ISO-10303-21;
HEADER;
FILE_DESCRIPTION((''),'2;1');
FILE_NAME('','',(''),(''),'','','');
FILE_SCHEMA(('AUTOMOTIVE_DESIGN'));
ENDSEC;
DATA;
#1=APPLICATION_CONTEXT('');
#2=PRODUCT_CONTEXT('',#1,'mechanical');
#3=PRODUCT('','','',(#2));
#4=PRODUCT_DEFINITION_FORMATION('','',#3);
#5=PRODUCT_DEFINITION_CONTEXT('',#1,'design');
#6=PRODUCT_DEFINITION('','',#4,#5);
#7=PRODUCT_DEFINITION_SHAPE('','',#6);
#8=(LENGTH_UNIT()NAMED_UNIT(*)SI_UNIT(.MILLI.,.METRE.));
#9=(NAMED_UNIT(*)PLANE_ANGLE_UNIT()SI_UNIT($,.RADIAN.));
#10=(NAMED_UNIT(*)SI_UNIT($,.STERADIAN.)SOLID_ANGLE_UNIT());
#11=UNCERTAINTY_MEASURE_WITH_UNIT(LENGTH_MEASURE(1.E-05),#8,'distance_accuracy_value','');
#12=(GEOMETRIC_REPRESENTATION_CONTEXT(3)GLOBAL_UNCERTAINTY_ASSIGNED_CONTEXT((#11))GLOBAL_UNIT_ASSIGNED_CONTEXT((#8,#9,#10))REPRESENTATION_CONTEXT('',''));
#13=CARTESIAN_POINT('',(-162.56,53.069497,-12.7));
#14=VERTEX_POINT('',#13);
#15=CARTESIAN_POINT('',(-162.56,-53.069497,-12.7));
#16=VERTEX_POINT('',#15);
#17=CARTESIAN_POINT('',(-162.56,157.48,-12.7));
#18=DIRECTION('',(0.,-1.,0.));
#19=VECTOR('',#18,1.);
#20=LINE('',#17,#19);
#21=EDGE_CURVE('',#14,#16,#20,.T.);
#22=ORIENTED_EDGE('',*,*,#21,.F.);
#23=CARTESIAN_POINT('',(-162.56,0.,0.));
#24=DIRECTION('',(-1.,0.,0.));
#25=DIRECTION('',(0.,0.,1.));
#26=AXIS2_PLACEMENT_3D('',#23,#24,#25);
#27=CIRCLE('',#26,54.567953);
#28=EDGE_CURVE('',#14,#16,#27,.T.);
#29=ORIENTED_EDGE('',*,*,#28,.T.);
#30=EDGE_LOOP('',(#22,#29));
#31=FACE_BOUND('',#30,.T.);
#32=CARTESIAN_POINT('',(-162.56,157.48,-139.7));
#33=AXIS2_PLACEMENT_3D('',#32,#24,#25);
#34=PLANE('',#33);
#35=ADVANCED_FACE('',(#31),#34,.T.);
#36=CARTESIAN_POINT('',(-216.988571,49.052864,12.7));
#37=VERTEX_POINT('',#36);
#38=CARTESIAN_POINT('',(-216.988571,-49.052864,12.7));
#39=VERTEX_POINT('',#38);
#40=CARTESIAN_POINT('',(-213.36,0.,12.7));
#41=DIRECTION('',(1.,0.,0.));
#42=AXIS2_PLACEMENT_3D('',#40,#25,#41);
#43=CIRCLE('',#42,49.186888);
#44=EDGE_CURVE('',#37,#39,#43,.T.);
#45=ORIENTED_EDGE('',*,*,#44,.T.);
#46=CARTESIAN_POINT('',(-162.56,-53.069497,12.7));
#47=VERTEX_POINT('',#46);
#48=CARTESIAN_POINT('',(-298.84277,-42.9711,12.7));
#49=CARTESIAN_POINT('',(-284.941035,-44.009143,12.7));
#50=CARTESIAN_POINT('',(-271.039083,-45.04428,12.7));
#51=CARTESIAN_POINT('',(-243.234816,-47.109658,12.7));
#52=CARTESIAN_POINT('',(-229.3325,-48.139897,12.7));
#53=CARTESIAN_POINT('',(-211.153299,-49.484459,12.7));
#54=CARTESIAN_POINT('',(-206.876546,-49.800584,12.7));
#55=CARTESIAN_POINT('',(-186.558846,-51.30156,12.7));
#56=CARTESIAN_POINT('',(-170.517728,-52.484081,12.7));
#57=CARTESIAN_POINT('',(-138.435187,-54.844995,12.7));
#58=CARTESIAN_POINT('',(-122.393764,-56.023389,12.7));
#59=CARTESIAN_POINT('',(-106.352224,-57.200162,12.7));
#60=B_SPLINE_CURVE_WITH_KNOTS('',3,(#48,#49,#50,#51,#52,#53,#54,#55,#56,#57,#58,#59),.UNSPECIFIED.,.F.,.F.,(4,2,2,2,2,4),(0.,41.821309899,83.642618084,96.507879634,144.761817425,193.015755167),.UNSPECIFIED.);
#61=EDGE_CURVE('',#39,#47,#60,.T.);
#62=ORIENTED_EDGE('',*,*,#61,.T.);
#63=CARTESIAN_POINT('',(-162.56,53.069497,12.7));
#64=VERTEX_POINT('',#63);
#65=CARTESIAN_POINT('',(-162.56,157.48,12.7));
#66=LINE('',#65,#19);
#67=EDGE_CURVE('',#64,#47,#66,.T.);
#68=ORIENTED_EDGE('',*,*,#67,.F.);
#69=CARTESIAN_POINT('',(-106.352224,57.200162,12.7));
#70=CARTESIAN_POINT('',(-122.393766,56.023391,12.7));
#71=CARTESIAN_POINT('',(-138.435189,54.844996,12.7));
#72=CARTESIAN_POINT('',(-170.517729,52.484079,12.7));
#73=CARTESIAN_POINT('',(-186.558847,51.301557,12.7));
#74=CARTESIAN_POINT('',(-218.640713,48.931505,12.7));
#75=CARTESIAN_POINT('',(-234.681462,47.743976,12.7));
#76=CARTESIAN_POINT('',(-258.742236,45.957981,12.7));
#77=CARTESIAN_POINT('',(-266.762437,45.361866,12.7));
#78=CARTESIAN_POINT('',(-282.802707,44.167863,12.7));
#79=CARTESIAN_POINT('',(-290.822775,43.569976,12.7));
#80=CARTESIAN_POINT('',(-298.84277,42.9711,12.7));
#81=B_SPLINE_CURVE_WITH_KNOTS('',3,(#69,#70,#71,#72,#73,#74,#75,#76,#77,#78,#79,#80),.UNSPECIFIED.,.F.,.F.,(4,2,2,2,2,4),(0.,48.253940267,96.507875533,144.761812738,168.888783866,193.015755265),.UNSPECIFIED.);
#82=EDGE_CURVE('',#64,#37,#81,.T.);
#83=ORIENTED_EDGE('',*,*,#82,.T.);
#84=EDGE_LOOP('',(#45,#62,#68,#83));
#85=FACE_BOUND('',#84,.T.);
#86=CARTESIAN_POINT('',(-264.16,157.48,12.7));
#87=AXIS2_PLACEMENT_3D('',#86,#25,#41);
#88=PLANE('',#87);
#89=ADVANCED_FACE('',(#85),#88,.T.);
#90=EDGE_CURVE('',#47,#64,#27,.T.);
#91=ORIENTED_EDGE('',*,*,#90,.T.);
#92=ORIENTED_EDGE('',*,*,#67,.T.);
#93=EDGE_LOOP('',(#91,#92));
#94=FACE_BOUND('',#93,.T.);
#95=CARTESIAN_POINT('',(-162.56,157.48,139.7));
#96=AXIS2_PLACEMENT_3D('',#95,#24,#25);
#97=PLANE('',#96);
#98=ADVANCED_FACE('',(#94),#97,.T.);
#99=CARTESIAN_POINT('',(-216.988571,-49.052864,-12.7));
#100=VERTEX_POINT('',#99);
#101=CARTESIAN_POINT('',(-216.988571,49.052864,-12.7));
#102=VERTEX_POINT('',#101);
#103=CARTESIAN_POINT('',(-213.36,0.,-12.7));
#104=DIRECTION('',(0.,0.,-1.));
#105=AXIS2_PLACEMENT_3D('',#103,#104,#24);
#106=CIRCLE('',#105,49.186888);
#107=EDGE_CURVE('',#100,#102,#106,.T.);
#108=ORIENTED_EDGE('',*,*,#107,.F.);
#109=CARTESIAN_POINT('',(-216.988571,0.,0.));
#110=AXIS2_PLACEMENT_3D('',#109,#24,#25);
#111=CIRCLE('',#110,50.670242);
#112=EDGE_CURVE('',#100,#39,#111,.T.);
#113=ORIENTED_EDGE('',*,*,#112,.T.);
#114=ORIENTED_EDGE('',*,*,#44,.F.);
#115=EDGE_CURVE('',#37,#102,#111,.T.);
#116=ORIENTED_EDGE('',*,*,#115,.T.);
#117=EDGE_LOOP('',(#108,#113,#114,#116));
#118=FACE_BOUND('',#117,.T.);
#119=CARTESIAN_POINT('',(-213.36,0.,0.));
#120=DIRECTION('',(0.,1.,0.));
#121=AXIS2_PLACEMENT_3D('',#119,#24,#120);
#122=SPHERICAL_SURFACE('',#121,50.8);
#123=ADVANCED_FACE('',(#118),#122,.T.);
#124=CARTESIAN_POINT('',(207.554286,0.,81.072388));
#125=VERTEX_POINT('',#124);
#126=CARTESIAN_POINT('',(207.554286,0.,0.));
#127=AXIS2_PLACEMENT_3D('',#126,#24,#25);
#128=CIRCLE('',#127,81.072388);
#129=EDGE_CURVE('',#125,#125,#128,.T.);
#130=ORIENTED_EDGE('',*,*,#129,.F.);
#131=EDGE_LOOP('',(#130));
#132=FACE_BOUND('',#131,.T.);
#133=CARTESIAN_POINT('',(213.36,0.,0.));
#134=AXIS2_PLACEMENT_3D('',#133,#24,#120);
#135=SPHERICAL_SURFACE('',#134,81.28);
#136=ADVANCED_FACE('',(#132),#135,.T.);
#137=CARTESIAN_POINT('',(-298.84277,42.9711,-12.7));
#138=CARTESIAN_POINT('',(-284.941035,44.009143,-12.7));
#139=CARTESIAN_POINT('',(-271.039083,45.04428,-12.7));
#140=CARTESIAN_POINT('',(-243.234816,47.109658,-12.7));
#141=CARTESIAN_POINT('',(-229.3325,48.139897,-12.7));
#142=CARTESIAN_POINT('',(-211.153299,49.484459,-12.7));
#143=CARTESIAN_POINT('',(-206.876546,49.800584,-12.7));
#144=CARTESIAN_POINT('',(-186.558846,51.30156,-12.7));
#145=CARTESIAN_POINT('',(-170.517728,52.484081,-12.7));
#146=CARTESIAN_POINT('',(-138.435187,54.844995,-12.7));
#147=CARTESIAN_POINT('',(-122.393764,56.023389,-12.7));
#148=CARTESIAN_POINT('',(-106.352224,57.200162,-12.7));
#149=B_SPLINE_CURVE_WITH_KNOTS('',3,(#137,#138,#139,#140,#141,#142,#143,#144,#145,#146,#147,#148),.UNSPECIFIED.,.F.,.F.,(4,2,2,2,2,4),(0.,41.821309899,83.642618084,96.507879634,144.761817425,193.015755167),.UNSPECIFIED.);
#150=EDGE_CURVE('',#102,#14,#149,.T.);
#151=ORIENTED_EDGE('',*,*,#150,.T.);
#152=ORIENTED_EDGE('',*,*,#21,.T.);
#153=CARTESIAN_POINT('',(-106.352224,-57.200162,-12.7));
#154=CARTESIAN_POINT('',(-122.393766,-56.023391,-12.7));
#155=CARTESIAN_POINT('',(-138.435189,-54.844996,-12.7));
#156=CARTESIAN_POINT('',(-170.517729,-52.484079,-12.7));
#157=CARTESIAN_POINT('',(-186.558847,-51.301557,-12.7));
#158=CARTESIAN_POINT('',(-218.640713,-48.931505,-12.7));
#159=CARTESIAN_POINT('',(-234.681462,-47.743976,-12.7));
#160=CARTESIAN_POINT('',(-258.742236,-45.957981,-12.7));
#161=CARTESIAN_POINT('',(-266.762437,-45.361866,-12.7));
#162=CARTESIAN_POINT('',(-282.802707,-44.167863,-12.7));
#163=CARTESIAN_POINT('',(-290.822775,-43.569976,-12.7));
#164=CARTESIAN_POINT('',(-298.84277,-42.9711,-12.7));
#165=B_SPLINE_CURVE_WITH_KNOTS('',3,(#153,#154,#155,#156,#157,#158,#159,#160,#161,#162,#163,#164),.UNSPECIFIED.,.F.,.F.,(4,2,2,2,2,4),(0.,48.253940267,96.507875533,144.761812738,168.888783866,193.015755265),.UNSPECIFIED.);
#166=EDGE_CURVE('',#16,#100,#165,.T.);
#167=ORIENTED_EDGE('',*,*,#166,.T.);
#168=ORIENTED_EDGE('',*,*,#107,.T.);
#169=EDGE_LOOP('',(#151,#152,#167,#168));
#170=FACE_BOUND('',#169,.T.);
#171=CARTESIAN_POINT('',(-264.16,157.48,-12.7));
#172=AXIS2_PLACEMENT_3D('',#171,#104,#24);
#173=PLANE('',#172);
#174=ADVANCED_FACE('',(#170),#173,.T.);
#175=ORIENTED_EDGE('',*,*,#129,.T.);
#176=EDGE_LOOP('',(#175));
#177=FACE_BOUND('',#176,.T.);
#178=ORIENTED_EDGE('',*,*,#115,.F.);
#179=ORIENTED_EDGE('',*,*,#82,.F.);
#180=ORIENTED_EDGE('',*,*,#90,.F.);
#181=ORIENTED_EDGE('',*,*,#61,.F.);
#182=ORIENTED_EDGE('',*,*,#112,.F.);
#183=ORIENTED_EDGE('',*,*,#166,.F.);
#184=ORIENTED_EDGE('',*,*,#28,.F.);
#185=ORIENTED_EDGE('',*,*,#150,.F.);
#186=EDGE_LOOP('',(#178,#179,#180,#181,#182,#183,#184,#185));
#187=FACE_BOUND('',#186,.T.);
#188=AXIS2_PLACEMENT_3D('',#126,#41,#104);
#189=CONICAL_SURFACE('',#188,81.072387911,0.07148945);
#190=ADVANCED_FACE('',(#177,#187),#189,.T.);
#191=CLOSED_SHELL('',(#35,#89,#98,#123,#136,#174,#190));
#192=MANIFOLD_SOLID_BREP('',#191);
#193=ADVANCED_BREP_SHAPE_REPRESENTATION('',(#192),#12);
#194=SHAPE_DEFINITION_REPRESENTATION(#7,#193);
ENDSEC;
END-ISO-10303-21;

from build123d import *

# Parameters (mm, degrees)
CUT_EXTRUDE2_DEPTH      = 157.48
CUT_EXTRUDE2_DEPTH_BACK = 157.48
SKETCH2_W               = 101.6
SKETCH2_H               = 127


with BuildPart() as part:
    # Sketch1 → Revolve1 (revolve)
    with BuildSketch(Plane.XY):
        with BuildLine():
            Line((-213.36, 0), (213.36, 0))
            Line((213.36, 0), (294.64, 0))
            ThreePointArc((294.64, 0), (268.742984494, 59.490868447), (207.554285714, 81.072387911))
            Line((207.554285714, 81.072387911), (-216.988571429, 50.670242445))
            ThreePointArc((-216.988571429, 50.670242445), (-250.541792779, 34.614365309), (-264.16, 0))
            Line((-264.16, 0), (-213.36, 0))
        make_face()
    revolve(axis=Axis((-213.36, 0, 0), (1, 0, 0)))

    # Sketch2 → Cut-Extrude2 (cut, two sides: drawn at the far end of the back side and taken through both)
    with BuildSketch(Plane(origin=(0, 0, 0), x_dir=(1, 0, 0), z_dir=(0, 1, 0)).offset(-CUT_EXTRUDE2_DEPTH_BACK)):
        with Locations((-213.36, 76.2)):
            Rectangle(SKETCH2_W, SKETCH2_H)
        with Locations((-213.36, -76.2)):
            Rectangle(SKETCH2_W, SKETCH2_H)
    extrude(amount=CUT_EXTRUDE2_DEPTH + CUT_EXTRUDE2_DEPTH_BACK, mode=Mode.SUBTRACT)


solid = part.part
